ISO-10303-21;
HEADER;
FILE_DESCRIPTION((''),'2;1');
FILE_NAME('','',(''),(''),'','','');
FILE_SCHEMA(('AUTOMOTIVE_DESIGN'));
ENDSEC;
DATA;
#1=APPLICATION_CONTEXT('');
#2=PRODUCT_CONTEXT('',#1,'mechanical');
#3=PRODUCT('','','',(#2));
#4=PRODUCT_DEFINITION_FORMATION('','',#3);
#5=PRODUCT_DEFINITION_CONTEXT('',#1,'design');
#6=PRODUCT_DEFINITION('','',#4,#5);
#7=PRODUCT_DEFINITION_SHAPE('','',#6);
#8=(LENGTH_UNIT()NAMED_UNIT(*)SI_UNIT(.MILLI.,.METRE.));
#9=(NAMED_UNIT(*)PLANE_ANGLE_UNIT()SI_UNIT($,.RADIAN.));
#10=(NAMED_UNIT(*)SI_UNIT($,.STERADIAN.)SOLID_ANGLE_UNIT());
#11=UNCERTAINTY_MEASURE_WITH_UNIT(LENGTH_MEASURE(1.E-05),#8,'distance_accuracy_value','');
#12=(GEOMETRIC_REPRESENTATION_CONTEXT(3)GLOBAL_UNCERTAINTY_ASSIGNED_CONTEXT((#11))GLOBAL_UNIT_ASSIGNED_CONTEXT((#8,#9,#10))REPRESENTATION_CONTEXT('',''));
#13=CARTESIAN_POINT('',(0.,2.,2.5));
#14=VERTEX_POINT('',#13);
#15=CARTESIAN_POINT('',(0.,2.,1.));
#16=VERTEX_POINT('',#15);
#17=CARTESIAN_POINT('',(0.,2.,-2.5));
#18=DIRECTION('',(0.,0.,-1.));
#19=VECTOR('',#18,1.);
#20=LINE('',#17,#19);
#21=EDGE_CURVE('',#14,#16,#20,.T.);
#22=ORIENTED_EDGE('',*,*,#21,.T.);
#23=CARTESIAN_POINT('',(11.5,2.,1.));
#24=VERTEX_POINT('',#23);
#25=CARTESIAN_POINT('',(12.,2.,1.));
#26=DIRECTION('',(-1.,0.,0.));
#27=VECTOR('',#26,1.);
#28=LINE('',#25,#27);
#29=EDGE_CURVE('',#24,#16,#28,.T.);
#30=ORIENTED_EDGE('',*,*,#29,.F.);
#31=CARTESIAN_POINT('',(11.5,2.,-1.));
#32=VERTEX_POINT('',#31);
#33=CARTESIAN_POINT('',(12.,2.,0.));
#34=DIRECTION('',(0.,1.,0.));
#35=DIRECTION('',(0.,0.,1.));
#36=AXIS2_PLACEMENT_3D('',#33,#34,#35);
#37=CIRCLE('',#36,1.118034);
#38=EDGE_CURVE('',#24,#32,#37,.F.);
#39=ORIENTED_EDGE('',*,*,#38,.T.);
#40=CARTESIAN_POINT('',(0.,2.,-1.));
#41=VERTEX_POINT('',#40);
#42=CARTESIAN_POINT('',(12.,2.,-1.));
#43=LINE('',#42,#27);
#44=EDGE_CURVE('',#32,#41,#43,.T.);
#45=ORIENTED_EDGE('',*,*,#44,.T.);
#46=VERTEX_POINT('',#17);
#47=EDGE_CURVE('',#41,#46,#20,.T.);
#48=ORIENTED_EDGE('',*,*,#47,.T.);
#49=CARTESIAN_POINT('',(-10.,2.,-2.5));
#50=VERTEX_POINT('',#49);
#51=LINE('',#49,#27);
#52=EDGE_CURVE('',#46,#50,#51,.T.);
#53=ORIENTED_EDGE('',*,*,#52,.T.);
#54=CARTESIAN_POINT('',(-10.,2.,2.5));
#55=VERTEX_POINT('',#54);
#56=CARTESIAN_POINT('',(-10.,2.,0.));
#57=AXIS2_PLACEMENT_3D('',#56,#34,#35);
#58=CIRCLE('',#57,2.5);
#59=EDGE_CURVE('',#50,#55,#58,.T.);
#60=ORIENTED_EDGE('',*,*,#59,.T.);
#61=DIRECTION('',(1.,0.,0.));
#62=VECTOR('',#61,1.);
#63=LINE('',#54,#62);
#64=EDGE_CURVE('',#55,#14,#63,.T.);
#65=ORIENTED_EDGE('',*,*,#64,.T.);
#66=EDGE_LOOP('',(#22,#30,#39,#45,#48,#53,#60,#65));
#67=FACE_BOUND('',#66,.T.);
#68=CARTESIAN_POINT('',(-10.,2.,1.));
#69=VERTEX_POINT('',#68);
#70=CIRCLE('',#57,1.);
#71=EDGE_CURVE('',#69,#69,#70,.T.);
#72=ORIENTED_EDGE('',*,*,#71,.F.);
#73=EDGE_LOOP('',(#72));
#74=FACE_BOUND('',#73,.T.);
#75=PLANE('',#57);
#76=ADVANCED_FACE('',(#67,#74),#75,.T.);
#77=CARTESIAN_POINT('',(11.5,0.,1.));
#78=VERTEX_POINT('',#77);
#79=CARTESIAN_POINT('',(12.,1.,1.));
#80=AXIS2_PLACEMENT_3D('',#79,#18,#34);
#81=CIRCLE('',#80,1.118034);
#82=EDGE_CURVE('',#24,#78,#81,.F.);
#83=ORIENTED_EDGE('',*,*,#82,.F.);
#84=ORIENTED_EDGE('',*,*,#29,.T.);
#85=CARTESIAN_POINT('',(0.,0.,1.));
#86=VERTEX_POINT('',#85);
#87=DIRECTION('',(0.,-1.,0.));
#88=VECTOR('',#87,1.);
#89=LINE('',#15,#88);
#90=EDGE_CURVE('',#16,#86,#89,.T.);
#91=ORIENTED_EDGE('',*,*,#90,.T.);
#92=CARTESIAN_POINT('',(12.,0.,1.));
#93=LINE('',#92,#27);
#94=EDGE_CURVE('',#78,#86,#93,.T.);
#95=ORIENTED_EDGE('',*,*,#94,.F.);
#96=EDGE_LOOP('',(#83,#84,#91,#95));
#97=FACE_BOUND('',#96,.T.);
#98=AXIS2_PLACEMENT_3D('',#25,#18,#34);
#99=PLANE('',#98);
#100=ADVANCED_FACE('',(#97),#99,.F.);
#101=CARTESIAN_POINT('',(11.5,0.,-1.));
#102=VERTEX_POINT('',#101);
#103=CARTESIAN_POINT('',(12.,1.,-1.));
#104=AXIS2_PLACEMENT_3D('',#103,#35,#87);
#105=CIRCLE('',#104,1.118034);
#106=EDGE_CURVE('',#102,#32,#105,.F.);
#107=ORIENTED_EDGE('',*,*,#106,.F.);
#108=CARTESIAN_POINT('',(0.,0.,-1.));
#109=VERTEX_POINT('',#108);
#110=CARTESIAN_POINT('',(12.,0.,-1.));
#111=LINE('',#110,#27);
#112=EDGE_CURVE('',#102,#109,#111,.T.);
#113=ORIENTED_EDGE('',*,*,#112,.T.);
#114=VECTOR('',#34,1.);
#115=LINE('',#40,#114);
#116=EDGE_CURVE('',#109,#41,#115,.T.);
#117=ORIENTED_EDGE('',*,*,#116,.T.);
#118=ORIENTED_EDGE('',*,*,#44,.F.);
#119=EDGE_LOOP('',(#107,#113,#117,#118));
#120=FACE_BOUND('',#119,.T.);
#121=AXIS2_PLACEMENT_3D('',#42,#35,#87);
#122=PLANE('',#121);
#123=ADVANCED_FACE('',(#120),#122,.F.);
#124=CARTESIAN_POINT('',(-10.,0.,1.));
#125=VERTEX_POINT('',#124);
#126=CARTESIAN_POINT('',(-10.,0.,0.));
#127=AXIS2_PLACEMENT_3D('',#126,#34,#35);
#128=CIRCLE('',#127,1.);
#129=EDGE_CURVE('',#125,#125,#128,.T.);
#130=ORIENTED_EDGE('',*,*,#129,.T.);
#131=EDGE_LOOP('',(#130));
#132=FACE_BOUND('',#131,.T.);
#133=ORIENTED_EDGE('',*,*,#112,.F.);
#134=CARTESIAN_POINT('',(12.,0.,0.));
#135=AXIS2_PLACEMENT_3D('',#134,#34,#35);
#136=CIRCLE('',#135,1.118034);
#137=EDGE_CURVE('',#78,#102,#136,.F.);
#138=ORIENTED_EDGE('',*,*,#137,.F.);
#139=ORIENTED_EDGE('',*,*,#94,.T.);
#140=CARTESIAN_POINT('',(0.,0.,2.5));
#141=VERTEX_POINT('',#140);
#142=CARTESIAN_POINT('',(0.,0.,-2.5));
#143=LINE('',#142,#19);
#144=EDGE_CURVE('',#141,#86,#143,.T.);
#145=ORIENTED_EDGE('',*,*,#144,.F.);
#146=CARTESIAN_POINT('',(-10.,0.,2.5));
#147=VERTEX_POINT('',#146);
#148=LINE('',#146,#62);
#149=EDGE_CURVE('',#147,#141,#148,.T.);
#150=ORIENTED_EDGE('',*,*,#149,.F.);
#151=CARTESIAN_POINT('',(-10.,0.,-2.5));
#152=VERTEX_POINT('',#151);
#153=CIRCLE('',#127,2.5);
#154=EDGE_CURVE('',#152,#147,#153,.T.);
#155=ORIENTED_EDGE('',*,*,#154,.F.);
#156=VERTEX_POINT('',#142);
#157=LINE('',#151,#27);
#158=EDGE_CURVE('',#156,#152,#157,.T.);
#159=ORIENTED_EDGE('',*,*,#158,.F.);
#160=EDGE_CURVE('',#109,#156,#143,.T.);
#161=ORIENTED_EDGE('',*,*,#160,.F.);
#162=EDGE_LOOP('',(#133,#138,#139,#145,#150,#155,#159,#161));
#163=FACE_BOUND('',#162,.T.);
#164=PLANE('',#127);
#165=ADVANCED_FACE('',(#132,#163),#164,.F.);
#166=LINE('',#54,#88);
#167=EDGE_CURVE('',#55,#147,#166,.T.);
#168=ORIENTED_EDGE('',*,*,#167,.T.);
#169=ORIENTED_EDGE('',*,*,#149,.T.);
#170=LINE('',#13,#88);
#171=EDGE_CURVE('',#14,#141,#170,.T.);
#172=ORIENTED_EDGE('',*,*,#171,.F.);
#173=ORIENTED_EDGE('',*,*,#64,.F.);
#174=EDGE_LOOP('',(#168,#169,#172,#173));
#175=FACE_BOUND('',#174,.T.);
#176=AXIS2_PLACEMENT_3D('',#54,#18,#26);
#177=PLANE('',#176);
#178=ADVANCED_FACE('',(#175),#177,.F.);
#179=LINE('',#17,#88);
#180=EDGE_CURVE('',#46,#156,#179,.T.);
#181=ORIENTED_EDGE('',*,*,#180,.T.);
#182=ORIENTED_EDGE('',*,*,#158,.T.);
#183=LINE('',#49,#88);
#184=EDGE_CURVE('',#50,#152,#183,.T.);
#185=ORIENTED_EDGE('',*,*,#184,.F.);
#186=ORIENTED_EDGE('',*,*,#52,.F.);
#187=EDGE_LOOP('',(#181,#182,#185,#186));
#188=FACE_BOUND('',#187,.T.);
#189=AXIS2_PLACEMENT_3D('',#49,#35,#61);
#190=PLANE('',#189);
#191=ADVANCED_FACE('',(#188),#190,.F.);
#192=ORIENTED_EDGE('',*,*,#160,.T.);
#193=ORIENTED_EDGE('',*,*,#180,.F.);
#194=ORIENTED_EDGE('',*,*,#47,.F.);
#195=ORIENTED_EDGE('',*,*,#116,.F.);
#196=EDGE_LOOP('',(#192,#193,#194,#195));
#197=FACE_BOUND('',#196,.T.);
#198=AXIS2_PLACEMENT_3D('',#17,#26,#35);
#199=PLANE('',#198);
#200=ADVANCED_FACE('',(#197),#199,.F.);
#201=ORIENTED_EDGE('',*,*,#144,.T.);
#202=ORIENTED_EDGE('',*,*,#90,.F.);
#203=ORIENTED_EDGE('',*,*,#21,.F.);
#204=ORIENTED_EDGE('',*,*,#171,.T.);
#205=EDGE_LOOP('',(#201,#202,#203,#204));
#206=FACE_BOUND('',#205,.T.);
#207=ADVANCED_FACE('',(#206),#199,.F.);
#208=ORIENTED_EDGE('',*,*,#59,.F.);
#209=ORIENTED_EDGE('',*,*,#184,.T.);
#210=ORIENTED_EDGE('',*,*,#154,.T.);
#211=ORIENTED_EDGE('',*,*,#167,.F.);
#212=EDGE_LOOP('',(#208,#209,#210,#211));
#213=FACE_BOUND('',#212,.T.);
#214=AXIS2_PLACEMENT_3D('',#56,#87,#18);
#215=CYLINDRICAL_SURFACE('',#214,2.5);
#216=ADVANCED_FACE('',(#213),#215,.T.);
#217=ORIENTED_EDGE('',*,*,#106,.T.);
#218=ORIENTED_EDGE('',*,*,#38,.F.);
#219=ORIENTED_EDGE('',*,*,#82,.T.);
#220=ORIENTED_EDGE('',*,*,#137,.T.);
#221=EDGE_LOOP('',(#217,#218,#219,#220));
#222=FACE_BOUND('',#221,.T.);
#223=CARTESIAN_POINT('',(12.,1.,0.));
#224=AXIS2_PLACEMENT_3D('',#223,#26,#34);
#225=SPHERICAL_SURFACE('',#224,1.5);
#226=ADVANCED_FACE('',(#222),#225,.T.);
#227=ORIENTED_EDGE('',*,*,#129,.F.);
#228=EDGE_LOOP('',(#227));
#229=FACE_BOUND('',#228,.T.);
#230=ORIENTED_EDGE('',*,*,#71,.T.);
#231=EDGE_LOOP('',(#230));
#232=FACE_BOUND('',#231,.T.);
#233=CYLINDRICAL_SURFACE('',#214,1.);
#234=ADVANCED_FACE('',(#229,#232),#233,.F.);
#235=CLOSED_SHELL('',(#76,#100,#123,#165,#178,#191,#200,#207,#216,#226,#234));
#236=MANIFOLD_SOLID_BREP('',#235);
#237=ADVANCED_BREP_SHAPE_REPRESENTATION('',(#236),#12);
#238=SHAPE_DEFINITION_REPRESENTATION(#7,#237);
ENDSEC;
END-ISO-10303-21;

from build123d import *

# Parameters (mm, degrees)
SKETCH1_R           = 1
BOSS_EXTRUDE1_DEPTH = 2
SKETCH4_W           = 2
SKETCH4_H           = 2
BOSS_EXTRUDE2_DEPTH = 12


with BuildPart() as part:
    # Sketch1 → Boss-Extrude1 (new body)
    with BuildSketch(Plane(origin=(0, 0, 0), x_dir=(1, 0, 0), z_dir=(0, 1, 0))):
        with BuildLine():
            Line((-10, 2.5), (0, 2.5))
            Line((0, 2.5), (0, -2.5))
            Line((0, -2.5), (-10, -2.5))
            ThreePointArc((-10, -2.5), (-12.5, 0), (-10, 2.5))
        make_face()
        with Locations(Location((-10, 0, 0), (0, 0, 270))):
            Circle(SKETCH1_R, mode=Mode.SUBTRACT)
    extrude(amount=BOSS_EXTRUDE1_DEPTH)

    # Sketch4 → Boss-Extrude2 (add)
    with BuildSketch(Plane(origin=(0, 0, 0), x_dir=(0, 0, -1), z_dir=(1, 0, 0))):
        with Locations((0, 1)):
            Rectangle(SKETCH4_W, SKETCH4_H)
    extrude(amount=BOSS_EXTRUDE2_DEPTH)

    # Sketch5 → Revolve1 (revolve)
    with BuildSketch(Plane.XY):
        with BuildLine():
            Line((10.614180701, 1.574025149), (12, 1))
            Line((12, 1), (13.5, 1))
            ThreePointArc((13.5, 1), (12.292635483, 2.471177921), (10.614180701, 1.574025149))
        make_face()
    revolve(axis=Axis((0.012505213, 1, 0), (1, 0, 0)))


solid = part.part
